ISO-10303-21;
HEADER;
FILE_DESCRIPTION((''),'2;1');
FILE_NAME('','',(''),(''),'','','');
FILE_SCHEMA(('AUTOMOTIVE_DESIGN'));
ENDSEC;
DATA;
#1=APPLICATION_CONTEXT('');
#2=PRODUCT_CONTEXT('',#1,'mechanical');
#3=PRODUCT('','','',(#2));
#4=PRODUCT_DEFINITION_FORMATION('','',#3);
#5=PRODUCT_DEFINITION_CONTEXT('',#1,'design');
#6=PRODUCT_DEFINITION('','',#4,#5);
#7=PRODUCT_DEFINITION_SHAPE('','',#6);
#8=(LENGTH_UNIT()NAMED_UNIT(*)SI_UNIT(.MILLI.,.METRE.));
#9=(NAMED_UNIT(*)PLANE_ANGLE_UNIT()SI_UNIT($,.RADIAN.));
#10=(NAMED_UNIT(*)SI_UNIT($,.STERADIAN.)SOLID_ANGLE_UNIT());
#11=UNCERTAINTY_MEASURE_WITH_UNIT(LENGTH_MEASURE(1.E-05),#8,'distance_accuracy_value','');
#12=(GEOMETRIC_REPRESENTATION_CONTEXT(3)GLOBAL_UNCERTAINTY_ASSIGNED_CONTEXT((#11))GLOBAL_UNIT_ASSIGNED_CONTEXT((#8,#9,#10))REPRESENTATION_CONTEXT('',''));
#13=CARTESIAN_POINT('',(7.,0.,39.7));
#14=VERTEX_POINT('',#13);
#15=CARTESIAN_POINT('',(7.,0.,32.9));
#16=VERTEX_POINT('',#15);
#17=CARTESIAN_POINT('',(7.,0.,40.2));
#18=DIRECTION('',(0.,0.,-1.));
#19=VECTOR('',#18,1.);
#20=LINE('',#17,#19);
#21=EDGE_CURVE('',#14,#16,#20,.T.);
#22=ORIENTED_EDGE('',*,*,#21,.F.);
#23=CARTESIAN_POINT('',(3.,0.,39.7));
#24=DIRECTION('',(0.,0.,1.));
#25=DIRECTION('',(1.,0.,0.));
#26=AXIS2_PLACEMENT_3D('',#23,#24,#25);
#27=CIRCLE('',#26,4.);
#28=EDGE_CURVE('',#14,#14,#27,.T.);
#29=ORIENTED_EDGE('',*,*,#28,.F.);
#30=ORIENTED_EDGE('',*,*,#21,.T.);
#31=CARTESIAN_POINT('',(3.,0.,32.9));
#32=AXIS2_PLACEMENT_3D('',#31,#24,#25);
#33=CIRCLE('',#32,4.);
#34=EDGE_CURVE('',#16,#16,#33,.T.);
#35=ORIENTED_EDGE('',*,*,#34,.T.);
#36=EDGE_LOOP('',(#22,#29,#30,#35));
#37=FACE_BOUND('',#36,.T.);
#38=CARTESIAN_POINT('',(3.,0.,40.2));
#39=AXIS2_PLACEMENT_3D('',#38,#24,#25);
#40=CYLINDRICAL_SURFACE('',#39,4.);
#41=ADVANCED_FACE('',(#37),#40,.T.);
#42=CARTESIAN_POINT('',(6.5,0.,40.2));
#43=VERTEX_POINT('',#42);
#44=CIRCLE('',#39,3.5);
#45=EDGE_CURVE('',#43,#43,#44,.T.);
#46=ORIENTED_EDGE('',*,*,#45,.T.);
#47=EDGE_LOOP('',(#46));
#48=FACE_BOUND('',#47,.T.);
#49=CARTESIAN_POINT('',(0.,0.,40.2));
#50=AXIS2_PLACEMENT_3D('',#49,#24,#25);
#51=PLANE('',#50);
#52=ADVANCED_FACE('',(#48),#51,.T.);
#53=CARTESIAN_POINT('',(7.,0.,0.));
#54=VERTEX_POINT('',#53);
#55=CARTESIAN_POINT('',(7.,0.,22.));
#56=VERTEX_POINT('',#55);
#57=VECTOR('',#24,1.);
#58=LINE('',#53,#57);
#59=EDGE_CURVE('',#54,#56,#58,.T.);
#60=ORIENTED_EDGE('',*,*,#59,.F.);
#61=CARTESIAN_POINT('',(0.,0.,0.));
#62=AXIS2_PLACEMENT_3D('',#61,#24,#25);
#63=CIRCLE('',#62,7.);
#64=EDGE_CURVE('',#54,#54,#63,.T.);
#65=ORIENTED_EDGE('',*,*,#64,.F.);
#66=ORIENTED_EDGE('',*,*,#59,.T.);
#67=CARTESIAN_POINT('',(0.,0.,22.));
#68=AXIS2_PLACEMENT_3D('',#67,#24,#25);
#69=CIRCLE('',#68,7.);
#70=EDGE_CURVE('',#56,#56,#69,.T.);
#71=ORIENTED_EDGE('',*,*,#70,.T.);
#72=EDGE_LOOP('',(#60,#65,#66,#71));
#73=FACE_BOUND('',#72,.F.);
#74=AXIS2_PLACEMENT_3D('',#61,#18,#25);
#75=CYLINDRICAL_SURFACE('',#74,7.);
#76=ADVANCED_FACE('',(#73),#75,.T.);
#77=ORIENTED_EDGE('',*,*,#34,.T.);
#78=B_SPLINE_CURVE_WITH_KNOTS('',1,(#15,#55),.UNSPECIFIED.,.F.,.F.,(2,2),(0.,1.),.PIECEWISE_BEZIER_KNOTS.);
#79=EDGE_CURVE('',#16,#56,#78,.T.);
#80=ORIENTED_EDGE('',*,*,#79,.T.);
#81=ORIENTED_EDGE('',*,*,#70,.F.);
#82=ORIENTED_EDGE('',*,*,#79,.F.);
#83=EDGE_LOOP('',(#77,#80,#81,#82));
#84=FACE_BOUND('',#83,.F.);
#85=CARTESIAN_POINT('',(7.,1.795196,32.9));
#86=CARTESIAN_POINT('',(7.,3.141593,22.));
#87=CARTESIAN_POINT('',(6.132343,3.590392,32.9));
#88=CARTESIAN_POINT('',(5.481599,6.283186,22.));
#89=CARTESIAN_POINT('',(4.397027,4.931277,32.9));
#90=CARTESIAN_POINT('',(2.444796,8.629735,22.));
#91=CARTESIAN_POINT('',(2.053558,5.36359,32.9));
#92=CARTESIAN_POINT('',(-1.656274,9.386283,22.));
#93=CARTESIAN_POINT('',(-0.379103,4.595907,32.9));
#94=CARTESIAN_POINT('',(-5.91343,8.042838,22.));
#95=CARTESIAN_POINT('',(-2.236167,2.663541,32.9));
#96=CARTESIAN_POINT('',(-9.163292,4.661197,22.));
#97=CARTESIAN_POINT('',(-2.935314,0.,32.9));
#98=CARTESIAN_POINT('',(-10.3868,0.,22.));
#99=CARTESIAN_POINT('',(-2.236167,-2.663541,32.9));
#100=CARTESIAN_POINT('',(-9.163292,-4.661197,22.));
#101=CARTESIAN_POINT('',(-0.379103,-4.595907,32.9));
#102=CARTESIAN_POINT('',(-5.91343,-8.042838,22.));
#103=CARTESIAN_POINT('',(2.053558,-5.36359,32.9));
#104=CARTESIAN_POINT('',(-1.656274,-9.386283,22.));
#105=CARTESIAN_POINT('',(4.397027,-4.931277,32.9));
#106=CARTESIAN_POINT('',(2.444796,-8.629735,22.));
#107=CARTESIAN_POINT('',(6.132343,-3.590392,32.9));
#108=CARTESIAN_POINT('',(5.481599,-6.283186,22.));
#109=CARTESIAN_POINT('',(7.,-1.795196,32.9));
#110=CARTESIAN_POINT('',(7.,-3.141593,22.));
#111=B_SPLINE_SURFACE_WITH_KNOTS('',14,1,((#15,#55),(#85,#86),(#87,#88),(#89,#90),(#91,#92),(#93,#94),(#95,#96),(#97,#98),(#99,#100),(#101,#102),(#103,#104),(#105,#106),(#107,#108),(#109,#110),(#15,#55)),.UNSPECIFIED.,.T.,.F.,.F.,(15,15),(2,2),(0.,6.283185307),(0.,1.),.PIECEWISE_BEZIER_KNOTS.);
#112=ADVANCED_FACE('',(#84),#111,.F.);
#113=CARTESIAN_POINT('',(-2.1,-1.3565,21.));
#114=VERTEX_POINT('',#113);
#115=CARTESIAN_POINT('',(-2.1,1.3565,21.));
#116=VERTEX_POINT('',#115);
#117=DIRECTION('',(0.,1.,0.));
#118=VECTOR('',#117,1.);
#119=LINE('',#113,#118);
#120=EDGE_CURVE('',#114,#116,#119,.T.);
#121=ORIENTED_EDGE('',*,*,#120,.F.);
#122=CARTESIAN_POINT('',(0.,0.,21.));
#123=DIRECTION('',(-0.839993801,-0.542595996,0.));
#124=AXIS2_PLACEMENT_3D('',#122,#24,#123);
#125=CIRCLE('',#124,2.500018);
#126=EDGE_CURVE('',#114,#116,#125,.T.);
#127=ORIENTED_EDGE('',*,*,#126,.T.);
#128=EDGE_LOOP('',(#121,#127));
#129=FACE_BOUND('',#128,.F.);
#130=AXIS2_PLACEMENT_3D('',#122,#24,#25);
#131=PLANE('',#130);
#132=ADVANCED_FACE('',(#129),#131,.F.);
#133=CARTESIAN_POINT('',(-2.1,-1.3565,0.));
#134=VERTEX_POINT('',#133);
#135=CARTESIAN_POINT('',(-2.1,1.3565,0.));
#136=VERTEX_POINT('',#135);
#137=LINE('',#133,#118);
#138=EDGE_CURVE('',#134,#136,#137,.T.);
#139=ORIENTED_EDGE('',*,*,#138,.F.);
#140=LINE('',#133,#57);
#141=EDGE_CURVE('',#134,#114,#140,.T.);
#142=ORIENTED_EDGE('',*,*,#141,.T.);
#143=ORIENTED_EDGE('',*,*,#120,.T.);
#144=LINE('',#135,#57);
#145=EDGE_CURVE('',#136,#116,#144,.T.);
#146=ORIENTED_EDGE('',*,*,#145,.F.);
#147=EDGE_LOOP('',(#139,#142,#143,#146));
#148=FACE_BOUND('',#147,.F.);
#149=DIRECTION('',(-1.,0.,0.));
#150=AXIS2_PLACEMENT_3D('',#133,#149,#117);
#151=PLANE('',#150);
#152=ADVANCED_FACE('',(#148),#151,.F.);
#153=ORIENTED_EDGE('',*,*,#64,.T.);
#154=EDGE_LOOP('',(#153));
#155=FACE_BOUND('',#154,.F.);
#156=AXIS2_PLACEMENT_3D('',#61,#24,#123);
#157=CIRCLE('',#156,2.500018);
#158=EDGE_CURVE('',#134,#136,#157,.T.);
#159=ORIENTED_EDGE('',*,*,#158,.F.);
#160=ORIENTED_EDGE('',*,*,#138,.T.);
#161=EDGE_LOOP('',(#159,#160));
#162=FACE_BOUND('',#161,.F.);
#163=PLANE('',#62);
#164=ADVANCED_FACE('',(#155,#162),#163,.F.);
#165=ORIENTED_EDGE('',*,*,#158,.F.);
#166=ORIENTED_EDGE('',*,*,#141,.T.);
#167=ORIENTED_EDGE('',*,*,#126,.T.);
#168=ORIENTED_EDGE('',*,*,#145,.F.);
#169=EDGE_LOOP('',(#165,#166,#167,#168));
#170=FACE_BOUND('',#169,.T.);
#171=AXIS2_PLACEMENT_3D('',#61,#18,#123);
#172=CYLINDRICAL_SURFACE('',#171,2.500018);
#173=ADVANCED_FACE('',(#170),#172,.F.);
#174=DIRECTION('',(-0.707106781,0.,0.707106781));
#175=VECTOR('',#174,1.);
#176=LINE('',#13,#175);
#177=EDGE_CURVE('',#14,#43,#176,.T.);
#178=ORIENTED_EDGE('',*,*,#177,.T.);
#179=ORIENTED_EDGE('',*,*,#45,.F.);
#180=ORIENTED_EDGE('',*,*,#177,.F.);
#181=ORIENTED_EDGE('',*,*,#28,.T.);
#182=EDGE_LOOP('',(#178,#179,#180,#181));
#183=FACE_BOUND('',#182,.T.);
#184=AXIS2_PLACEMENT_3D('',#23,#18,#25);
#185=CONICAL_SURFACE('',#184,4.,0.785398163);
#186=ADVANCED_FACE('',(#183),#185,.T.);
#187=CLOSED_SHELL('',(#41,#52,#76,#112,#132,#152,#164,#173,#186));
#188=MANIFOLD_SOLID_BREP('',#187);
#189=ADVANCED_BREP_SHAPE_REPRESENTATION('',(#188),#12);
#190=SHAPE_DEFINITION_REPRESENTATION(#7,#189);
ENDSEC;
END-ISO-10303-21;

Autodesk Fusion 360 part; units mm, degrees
sketch "Sketch1" plane through (0, 0, 0) normal (0, 0, 1) x (1, 0, 0)
  circle A0 centre (0, 0) radius 7
  line L0 (-2.1, -1.3565) -> (-2.1, 1.3565)
  arc A1 (-2.1, -1.3565) -> (-2.1, 1.3565) centre (0, 0) ccw
  dimension "d1" = 14
  dimension "d8" = 5
  dimension "d9" = 2.1
extrude "Extrude1" add sketch "Sketch1" along normal blind 22 contours A0 | L0 A1 makes body 1
ref_plane "WorkPlane1" through (0, 0, 40.2) normal (0, 0, 1) x (1, 0, 0)
sketch "Sketch2" plane through (0, 0, 40.2) normal (0, 0, 1) x (1, 0, 0)
  circle A0 centre (0, 0) radius 7
  circle A1 centre (3, 0) radius 4
  dimension "d5" = 8
extrude "Extrude2" add sketch "Sketch2" against normal blind 7.3 separate body contours A1 makes body 2
loft "Loft1" add section 1 face at (3.1171, 1.096, 32.9) section 2 face at (1.11, -1.8763, 22) on bodies 1 2 bodies 1 2
extrude "Extrude3" cut sketch "Sketch1" along normal blind 21 contours L0 A1 bodies 1
chamfer "Chamfer1" distance 0.5 angle 45 1 edges at (-0.7293, -1.4465, 40.2) on bodies 1 2
